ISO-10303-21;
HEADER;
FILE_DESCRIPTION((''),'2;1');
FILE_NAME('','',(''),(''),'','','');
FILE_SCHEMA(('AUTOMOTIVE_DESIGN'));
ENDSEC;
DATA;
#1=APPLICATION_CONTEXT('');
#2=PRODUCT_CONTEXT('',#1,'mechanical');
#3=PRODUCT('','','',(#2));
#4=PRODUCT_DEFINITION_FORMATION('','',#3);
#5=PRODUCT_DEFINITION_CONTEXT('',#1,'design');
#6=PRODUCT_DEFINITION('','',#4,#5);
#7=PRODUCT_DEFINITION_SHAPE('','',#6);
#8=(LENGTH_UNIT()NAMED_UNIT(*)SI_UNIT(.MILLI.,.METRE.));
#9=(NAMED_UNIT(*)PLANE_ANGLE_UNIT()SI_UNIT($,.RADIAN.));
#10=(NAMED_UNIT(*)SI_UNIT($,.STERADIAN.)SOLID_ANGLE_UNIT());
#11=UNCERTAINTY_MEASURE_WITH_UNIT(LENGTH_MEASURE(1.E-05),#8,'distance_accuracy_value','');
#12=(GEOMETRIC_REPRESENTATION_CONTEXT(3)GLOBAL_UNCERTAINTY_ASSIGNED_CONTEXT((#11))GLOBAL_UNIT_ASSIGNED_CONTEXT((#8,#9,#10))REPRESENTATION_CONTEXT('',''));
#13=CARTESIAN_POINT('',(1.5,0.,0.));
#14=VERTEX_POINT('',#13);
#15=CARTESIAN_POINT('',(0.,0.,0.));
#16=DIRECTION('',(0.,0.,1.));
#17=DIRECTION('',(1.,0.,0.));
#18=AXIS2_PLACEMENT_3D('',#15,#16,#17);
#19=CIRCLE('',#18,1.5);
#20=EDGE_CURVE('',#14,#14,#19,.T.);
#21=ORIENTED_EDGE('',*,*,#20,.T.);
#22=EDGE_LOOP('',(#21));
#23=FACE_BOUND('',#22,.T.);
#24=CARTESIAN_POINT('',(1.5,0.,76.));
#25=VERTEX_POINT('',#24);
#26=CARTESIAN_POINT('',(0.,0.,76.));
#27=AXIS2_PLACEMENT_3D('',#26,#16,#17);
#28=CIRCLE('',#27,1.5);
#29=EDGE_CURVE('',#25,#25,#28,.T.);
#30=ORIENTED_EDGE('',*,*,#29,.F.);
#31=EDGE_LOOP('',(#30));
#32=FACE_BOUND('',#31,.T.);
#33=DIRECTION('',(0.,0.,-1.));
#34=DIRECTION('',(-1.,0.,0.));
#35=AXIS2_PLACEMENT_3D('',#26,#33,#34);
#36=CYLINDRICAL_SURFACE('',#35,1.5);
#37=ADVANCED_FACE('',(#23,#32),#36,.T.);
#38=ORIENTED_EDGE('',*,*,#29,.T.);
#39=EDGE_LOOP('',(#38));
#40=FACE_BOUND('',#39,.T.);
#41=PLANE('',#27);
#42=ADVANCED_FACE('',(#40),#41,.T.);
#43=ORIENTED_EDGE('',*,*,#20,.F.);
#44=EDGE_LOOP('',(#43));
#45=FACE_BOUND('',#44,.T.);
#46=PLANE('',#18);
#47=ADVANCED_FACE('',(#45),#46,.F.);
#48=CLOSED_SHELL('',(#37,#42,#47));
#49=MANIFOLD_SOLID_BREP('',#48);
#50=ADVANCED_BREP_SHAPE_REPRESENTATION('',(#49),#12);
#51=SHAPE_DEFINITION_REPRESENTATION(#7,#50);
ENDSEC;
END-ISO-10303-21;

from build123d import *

# Parameters (mm, degrees)
ESBO_O1_R                = 1.5
RESSALTO_EXTRUS_O1_DEPTH = 76


with BuildPart() as part:
    # Esboço1 → Ressalto-extrusão1 (new body)
    with BuildSketch(Plane.XY):
        Circle(ESBO_O1_R)
    extrude(amount=RESSALTO_EXTRUS_O1_DEPTH)


solid = part.part
